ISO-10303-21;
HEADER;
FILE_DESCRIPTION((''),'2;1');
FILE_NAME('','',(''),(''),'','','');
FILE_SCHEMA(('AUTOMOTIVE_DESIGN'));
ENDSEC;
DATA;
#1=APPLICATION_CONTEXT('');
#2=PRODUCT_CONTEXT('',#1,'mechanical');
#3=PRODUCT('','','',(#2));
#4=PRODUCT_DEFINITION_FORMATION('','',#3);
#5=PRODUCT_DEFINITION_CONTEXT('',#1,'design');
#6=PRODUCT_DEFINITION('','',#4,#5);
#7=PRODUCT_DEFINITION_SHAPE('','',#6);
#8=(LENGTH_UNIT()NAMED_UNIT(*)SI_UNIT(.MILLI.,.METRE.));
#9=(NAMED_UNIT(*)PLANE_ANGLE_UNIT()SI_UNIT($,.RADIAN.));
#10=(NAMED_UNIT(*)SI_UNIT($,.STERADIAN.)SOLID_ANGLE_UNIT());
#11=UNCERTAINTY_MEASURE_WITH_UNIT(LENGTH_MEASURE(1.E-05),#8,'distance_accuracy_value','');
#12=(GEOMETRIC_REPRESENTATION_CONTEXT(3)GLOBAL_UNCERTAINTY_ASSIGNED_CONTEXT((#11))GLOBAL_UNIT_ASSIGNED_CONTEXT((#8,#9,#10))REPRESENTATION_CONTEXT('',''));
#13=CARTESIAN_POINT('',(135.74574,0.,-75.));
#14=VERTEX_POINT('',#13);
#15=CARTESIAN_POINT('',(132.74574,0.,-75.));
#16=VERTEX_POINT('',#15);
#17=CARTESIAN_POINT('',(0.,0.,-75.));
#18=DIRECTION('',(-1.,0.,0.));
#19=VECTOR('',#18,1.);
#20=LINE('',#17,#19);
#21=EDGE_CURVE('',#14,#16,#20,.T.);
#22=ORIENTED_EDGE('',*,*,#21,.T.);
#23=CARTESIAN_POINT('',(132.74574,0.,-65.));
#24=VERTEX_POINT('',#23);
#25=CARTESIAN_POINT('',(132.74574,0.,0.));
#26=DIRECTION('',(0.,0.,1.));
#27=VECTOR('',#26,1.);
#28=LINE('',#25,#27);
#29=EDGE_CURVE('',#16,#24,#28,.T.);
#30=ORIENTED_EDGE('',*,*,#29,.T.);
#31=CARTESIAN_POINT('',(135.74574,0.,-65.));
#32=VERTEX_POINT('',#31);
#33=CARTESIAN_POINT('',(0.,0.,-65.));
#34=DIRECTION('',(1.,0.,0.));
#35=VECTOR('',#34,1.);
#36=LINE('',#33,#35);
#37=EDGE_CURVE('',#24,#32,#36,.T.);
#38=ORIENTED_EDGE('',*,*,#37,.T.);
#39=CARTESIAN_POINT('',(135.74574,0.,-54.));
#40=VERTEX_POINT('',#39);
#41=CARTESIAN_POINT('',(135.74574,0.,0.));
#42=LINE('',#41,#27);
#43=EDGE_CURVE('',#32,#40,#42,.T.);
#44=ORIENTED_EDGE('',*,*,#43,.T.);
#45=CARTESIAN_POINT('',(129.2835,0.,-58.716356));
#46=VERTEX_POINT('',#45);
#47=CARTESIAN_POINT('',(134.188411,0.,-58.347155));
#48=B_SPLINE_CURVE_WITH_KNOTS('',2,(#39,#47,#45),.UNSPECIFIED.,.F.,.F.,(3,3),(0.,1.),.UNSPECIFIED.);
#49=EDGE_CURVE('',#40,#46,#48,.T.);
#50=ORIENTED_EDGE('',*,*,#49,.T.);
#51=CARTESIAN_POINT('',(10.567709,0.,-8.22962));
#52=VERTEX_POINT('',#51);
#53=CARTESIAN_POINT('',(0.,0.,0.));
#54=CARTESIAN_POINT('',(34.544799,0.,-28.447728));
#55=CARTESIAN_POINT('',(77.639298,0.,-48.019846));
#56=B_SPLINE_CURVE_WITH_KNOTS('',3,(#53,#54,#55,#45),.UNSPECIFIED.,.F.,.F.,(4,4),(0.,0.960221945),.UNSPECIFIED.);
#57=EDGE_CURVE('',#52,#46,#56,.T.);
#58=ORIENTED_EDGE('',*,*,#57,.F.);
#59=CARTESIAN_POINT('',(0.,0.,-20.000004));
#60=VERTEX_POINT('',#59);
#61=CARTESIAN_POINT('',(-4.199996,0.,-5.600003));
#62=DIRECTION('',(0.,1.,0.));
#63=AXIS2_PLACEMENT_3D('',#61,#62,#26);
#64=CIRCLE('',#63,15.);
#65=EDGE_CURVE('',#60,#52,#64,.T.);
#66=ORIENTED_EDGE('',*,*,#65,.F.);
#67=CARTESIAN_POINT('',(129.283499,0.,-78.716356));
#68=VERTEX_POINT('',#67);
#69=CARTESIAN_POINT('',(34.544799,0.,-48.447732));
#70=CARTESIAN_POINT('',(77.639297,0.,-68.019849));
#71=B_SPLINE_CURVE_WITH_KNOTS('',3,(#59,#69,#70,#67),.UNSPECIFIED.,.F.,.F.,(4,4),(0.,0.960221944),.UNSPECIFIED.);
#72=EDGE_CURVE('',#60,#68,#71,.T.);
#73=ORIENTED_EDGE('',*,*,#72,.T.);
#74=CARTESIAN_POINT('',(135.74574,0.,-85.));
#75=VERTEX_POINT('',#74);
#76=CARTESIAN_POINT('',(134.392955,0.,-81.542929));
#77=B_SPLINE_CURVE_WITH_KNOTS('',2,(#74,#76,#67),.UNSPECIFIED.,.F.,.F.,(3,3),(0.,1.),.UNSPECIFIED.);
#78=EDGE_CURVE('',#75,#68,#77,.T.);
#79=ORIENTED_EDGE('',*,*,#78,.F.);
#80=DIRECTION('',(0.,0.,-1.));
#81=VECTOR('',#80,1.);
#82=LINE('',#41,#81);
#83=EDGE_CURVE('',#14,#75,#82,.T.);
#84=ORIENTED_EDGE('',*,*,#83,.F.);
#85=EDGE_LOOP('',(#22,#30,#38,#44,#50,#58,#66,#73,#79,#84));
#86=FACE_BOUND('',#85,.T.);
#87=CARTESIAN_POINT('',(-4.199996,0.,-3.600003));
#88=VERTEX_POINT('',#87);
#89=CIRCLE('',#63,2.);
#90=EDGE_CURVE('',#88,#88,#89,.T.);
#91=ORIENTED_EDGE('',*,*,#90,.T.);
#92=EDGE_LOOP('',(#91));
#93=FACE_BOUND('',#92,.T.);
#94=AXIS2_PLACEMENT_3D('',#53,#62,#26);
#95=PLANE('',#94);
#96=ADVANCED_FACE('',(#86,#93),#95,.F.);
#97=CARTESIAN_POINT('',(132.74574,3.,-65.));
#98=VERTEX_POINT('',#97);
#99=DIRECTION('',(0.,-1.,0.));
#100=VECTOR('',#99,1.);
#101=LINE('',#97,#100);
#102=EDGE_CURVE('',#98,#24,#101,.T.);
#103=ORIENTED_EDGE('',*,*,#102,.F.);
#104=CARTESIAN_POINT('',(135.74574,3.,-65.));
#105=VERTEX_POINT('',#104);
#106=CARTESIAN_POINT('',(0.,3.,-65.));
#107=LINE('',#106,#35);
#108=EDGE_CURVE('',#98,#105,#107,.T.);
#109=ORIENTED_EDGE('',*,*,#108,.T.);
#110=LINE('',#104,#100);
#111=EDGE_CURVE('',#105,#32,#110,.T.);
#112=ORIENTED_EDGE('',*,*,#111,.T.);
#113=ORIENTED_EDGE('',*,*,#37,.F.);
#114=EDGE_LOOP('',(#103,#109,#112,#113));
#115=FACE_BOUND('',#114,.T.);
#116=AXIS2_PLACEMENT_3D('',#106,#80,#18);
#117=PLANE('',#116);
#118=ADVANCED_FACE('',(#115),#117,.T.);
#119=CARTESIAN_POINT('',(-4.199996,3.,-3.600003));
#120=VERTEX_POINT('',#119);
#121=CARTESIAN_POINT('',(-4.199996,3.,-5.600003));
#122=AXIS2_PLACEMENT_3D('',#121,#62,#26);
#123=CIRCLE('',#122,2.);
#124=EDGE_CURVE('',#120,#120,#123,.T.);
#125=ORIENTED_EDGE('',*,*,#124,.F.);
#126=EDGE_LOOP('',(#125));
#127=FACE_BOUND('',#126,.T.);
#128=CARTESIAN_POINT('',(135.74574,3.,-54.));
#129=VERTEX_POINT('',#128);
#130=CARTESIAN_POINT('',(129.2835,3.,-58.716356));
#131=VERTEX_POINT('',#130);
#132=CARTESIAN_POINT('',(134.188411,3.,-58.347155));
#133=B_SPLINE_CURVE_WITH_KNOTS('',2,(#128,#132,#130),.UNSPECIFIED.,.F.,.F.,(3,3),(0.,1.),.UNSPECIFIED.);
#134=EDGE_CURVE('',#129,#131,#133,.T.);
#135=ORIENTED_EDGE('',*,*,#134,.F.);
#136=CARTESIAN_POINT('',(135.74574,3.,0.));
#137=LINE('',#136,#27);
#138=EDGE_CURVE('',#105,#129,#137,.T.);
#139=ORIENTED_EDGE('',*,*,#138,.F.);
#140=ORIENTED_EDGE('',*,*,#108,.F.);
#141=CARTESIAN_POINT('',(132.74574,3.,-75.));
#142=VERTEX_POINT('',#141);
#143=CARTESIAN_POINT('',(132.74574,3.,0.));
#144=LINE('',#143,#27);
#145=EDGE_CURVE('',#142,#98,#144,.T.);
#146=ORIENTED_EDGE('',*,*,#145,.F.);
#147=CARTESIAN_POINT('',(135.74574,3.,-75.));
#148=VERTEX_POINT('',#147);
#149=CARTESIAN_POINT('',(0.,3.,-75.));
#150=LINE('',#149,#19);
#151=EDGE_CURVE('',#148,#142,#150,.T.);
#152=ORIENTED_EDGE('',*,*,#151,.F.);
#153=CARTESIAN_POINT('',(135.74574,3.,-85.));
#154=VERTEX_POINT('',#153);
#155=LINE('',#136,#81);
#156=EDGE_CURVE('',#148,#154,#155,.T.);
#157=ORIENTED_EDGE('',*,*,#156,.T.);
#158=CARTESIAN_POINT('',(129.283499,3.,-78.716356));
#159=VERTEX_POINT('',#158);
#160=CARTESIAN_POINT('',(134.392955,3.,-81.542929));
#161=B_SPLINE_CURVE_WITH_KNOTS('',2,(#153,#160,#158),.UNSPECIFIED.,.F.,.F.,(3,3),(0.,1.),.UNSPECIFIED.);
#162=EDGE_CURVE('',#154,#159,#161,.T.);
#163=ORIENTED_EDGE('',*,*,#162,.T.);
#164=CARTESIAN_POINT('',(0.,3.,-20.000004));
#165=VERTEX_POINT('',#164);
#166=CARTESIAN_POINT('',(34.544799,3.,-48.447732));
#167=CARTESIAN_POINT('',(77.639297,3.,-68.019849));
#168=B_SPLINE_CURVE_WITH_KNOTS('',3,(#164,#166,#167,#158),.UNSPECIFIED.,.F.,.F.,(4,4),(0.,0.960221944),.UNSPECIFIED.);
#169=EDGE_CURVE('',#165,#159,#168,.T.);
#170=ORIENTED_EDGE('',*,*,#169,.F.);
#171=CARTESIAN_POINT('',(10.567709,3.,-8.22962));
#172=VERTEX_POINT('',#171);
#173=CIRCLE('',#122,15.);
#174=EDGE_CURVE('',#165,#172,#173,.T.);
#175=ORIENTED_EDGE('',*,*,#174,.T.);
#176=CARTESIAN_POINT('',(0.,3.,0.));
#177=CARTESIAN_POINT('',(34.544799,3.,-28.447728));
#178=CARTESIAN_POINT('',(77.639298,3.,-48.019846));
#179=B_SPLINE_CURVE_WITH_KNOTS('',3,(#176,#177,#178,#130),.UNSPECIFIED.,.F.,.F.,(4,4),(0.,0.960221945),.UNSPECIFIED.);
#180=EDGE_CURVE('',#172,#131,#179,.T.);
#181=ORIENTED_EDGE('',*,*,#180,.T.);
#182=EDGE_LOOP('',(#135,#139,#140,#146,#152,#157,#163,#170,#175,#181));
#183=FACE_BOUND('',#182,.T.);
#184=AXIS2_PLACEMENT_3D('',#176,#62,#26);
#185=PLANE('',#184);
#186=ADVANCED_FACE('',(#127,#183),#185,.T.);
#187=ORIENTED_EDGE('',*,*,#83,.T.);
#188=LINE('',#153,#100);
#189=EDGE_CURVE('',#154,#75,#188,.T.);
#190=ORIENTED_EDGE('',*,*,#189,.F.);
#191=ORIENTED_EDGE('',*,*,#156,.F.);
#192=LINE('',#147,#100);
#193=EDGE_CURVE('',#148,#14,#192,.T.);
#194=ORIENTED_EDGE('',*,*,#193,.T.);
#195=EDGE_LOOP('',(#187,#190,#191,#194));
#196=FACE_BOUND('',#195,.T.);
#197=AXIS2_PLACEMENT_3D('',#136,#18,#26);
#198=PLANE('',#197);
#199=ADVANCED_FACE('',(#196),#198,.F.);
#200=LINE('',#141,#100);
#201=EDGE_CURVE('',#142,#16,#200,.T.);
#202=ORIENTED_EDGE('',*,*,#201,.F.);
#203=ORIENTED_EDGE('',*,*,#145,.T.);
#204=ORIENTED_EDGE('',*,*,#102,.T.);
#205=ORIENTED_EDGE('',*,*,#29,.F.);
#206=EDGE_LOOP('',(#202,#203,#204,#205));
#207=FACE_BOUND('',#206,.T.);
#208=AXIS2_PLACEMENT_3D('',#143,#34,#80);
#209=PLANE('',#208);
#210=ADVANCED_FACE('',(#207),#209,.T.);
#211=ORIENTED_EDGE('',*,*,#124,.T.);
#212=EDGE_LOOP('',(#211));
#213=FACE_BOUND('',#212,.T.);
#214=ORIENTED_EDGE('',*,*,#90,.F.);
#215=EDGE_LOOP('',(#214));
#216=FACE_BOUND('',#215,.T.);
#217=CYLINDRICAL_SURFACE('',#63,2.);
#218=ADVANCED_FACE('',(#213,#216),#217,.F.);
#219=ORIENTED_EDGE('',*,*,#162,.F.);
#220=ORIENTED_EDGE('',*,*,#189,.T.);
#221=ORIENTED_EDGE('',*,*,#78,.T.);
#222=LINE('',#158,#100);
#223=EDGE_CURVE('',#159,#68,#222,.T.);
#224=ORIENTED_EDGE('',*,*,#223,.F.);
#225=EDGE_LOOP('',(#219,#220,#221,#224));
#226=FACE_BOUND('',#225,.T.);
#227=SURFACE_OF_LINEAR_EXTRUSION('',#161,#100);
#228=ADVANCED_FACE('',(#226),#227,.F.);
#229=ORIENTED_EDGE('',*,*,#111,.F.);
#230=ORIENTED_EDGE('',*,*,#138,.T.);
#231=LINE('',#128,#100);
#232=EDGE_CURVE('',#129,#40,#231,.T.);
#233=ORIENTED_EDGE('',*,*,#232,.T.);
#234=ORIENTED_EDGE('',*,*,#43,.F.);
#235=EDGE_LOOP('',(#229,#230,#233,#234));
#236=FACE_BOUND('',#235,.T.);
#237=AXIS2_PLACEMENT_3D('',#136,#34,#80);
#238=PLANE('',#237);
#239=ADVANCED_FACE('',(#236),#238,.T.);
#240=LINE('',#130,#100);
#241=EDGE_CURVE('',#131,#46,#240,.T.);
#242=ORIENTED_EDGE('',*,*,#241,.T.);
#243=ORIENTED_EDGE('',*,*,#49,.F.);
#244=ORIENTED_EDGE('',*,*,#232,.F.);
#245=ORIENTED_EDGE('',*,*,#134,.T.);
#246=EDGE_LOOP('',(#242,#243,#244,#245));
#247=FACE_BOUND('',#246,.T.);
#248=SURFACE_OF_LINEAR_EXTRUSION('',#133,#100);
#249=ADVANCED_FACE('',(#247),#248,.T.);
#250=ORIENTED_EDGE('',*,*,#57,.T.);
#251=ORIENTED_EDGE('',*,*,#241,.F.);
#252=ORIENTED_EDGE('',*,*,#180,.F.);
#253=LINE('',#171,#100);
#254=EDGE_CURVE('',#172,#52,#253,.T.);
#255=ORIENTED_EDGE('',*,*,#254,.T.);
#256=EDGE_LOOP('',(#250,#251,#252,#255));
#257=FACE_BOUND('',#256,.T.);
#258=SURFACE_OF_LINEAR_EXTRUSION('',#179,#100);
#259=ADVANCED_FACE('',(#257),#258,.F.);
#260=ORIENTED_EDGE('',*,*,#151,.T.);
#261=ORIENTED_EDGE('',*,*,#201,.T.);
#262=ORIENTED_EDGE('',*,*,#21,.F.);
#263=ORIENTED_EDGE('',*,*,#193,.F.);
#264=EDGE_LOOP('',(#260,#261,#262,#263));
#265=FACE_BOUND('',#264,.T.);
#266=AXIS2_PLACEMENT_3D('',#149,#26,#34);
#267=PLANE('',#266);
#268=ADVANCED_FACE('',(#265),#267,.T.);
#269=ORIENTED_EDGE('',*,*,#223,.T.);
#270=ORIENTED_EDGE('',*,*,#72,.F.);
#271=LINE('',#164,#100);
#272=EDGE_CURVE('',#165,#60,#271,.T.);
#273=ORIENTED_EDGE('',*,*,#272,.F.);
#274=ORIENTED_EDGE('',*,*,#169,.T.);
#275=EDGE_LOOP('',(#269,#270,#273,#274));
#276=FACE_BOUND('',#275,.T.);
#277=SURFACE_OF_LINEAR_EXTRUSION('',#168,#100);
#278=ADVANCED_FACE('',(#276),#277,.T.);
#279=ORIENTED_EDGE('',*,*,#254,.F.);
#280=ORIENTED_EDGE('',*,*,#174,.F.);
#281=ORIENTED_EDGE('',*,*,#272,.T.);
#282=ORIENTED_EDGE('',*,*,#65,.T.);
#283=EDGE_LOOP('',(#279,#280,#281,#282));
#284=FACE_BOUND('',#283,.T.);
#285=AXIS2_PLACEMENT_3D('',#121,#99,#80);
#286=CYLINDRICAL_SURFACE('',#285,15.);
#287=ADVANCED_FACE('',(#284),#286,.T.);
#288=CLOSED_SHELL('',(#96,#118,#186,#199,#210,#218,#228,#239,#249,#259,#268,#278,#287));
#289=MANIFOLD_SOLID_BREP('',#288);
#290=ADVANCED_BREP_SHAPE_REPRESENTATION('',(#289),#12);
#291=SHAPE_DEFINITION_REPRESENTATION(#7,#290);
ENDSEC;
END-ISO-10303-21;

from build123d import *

# Parameters (mm, degrees)
BOSS_EXTRUDE2_DEPTH = 3
SKETCH4_R           = 2
CUT_EXTRUDE2_DEPTH  = 3


with BuildPart() as part:
    # Sketch3 → Boss-Extrude2 (new body)
    with BuildSketch(Plane(origin=(0, 0, 0), x_dir=(1, 0, 0), z_dir=(0, 1, 0))):
        with BuildLine():
            ThreePointArc((0, 20.000004284), (-15.361487959, -4.421029535), (10.567709202, 8.229620236))
            add(Edge.make_bspline(
                [(10.567709202, 8.229620236), (43.206989346, 32.255448903), (82.778918939, 49.08436074), (129.283499892, 58.71635639)],
                knots=[0.095561107, 0.095561107, 0.095561107, 0.095561107, 0.960221945, 0.960221945, 0.960221945, 0.960221945], degree=3))
            add(Edge.make_bspline(
                [(135.745739898, 54), (134.188411223, 58.347154687), (129.283499892, 58.71635639)],
                knots=[0, 0, 0, 1, 1, 1], degree=2))
            Line((135.745739898, 54), (135.745739898, 65))
            Line((135.745739898, 65), (132.745739898, 65))
            Line((132.745739898, 65), (132.745739898, 75))
            Line((132.745739898, 75), (135.745739898, 75))
            Line((135.745739898, 75), (135.745739898, 85))
            add(Edge.make_bspline(
                [(135.745739898, 85), (134.392955154, 81.542928592), (129.283499131, 78.716356348)],
                knots=[0, 0, 0, 1, 1, 1], degree=2))
            add(Edge.make_bspline(
                [(0, 20.000004284), (34.544798533, 48.4477318), (77.639296954, 68.019848628), (129.283499131, 78.716356348)],
                knots=[0, 0, 0, 0, 0.960221944, 0.960221944, 0.960221944, 0.960221944], degree=3))
        make_face()
    extrude(amount=BOSS_EXTRUDE2_DEPTH)

    # Sketch4 → Cut-Extrude2 (cut)
    with BuildSketch(Plane(origin=(0, 3, 0), x_dir=(1, 0, 0), z_dir=(0, 1, 0))):
        with Locations(Location((-4.199995888, 5.600003084, 0), (0, 0, 270))):
            Circle(SKETCH4_R)
    extrude(amount=-CUT_EXTRUDE2_DEPTH, mode=Mode.SUBTRACT)


solid = part.part
